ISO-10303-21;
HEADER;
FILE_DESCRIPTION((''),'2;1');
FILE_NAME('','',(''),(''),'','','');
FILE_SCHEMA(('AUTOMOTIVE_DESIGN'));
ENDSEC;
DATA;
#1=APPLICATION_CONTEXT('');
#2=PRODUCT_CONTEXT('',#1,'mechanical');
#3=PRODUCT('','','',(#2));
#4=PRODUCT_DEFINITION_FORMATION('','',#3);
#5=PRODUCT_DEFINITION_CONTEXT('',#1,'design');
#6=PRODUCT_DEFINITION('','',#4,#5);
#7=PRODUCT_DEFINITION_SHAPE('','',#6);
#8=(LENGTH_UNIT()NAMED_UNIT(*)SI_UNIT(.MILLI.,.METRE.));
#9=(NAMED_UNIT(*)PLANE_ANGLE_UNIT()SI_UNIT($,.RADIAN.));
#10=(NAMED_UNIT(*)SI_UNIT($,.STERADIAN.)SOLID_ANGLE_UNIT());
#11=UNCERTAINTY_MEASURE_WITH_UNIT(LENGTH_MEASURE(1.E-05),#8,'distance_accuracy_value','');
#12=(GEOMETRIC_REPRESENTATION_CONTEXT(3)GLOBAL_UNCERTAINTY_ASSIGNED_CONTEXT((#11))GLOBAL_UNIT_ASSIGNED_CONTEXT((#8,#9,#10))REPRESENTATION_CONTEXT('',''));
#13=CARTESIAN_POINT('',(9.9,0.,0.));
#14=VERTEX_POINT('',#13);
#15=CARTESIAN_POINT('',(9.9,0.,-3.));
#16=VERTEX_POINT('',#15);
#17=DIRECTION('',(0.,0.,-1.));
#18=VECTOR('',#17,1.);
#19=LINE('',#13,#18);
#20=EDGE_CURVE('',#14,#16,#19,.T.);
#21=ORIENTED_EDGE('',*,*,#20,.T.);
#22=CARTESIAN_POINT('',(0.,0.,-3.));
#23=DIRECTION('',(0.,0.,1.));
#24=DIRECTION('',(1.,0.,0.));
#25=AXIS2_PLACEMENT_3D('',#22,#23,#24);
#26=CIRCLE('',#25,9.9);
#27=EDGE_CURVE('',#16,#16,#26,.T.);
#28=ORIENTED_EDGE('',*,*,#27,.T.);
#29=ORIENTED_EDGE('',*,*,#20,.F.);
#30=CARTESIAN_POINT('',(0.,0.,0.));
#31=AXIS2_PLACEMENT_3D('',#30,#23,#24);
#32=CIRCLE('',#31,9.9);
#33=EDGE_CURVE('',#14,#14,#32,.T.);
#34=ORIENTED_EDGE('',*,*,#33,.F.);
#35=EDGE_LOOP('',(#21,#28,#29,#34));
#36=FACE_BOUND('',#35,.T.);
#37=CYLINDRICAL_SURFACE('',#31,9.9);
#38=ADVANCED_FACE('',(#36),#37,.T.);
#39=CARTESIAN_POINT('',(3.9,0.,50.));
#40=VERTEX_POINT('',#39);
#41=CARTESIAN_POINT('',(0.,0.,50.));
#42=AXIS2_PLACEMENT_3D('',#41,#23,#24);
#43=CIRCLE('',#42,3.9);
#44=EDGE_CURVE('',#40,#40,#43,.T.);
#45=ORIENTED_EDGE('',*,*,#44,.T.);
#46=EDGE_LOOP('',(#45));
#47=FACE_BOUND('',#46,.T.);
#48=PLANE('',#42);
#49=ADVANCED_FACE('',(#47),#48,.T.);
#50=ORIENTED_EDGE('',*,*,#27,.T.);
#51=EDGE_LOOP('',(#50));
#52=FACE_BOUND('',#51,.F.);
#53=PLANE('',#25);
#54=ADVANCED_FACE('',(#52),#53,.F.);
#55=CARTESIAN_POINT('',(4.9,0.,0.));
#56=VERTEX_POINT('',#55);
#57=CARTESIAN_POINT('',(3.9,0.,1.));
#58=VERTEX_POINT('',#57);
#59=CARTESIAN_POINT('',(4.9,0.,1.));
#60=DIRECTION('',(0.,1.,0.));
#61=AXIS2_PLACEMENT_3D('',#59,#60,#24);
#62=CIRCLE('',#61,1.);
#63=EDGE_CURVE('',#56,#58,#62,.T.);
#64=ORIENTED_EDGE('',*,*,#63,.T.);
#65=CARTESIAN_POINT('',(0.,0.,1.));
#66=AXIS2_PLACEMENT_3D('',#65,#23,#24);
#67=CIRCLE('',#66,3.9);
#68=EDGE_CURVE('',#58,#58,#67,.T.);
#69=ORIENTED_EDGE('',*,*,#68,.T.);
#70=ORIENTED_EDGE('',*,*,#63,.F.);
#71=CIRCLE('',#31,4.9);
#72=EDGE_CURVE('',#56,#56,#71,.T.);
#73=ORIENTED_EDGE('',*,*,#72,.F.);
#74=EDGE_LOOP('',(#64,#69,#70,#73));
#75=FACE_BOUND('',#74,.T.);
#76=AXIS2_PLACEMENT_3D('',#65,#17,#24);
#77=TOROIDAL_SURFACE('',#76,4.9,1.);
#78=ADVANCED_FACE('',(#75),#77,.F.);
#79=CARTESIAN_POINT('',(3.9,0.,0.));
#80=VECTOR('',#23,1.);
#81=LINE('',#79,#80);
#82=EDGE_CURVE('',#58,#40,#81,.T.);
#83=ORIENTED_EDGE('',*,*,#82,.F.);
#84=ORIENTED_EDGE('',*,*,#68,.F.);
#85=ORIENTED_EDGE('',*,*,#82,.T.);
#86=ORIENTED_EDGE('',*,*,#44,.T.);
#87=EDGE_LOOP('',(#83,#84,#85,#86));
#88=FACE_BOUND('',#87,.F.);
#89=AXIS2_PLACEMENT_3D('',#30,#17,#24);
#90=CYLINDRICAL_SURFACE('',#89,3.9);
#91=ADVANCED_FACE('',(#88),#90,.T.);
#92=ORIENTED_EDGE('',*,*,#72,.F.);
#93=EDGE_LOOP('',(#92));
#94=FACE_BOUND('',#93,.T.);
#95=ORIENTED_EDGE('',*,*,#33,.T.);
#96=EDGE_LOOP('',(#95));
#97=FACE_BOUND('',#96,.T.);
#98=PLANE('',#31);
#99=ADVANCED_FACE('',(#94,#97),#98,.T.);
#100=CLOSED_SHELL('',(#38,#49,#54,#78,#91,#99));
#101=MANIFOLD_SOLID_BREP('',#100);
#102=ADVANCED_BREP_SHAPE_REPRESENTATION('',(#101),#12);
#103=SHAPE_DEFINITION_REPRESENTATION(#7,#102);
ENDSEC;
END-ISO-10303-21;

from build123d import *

# Parameters (mm, degrees)
SKETCH1_R           = 3.9
BOSS_EXTRUDE1_DEPTH = 50
SKETCH1_3_R         = 9.9
BOSS_EXTRUDE2_DEPTH = 3
FILLET1_R           = 1


with BuildPart() as part:
    # Sketch1 → Boss-Extrude1 (new body)
    with BuildSketch(Plane.XY):
        Circle(SKETCH1_R)
    extrude(amount=BOSS_EXTRUDE1_DEPTH)

    # Sketch1<3> → Boss-Extrude2 (add)
    with BuildSketch(Plane.XY):
        Circle(SKETCH1_3_R)
    extrude(amount=-BOSS_EXTRUDE2_DEPTH)

    # Fillet1
    fillet1_edges = [part.edges().sort_by_distance(p)[0] for p in [
        (-3.9, 0, 0),
    ]]
    fillet(fillet1_edges, radius=FILLET1_R)


solid = part.part
